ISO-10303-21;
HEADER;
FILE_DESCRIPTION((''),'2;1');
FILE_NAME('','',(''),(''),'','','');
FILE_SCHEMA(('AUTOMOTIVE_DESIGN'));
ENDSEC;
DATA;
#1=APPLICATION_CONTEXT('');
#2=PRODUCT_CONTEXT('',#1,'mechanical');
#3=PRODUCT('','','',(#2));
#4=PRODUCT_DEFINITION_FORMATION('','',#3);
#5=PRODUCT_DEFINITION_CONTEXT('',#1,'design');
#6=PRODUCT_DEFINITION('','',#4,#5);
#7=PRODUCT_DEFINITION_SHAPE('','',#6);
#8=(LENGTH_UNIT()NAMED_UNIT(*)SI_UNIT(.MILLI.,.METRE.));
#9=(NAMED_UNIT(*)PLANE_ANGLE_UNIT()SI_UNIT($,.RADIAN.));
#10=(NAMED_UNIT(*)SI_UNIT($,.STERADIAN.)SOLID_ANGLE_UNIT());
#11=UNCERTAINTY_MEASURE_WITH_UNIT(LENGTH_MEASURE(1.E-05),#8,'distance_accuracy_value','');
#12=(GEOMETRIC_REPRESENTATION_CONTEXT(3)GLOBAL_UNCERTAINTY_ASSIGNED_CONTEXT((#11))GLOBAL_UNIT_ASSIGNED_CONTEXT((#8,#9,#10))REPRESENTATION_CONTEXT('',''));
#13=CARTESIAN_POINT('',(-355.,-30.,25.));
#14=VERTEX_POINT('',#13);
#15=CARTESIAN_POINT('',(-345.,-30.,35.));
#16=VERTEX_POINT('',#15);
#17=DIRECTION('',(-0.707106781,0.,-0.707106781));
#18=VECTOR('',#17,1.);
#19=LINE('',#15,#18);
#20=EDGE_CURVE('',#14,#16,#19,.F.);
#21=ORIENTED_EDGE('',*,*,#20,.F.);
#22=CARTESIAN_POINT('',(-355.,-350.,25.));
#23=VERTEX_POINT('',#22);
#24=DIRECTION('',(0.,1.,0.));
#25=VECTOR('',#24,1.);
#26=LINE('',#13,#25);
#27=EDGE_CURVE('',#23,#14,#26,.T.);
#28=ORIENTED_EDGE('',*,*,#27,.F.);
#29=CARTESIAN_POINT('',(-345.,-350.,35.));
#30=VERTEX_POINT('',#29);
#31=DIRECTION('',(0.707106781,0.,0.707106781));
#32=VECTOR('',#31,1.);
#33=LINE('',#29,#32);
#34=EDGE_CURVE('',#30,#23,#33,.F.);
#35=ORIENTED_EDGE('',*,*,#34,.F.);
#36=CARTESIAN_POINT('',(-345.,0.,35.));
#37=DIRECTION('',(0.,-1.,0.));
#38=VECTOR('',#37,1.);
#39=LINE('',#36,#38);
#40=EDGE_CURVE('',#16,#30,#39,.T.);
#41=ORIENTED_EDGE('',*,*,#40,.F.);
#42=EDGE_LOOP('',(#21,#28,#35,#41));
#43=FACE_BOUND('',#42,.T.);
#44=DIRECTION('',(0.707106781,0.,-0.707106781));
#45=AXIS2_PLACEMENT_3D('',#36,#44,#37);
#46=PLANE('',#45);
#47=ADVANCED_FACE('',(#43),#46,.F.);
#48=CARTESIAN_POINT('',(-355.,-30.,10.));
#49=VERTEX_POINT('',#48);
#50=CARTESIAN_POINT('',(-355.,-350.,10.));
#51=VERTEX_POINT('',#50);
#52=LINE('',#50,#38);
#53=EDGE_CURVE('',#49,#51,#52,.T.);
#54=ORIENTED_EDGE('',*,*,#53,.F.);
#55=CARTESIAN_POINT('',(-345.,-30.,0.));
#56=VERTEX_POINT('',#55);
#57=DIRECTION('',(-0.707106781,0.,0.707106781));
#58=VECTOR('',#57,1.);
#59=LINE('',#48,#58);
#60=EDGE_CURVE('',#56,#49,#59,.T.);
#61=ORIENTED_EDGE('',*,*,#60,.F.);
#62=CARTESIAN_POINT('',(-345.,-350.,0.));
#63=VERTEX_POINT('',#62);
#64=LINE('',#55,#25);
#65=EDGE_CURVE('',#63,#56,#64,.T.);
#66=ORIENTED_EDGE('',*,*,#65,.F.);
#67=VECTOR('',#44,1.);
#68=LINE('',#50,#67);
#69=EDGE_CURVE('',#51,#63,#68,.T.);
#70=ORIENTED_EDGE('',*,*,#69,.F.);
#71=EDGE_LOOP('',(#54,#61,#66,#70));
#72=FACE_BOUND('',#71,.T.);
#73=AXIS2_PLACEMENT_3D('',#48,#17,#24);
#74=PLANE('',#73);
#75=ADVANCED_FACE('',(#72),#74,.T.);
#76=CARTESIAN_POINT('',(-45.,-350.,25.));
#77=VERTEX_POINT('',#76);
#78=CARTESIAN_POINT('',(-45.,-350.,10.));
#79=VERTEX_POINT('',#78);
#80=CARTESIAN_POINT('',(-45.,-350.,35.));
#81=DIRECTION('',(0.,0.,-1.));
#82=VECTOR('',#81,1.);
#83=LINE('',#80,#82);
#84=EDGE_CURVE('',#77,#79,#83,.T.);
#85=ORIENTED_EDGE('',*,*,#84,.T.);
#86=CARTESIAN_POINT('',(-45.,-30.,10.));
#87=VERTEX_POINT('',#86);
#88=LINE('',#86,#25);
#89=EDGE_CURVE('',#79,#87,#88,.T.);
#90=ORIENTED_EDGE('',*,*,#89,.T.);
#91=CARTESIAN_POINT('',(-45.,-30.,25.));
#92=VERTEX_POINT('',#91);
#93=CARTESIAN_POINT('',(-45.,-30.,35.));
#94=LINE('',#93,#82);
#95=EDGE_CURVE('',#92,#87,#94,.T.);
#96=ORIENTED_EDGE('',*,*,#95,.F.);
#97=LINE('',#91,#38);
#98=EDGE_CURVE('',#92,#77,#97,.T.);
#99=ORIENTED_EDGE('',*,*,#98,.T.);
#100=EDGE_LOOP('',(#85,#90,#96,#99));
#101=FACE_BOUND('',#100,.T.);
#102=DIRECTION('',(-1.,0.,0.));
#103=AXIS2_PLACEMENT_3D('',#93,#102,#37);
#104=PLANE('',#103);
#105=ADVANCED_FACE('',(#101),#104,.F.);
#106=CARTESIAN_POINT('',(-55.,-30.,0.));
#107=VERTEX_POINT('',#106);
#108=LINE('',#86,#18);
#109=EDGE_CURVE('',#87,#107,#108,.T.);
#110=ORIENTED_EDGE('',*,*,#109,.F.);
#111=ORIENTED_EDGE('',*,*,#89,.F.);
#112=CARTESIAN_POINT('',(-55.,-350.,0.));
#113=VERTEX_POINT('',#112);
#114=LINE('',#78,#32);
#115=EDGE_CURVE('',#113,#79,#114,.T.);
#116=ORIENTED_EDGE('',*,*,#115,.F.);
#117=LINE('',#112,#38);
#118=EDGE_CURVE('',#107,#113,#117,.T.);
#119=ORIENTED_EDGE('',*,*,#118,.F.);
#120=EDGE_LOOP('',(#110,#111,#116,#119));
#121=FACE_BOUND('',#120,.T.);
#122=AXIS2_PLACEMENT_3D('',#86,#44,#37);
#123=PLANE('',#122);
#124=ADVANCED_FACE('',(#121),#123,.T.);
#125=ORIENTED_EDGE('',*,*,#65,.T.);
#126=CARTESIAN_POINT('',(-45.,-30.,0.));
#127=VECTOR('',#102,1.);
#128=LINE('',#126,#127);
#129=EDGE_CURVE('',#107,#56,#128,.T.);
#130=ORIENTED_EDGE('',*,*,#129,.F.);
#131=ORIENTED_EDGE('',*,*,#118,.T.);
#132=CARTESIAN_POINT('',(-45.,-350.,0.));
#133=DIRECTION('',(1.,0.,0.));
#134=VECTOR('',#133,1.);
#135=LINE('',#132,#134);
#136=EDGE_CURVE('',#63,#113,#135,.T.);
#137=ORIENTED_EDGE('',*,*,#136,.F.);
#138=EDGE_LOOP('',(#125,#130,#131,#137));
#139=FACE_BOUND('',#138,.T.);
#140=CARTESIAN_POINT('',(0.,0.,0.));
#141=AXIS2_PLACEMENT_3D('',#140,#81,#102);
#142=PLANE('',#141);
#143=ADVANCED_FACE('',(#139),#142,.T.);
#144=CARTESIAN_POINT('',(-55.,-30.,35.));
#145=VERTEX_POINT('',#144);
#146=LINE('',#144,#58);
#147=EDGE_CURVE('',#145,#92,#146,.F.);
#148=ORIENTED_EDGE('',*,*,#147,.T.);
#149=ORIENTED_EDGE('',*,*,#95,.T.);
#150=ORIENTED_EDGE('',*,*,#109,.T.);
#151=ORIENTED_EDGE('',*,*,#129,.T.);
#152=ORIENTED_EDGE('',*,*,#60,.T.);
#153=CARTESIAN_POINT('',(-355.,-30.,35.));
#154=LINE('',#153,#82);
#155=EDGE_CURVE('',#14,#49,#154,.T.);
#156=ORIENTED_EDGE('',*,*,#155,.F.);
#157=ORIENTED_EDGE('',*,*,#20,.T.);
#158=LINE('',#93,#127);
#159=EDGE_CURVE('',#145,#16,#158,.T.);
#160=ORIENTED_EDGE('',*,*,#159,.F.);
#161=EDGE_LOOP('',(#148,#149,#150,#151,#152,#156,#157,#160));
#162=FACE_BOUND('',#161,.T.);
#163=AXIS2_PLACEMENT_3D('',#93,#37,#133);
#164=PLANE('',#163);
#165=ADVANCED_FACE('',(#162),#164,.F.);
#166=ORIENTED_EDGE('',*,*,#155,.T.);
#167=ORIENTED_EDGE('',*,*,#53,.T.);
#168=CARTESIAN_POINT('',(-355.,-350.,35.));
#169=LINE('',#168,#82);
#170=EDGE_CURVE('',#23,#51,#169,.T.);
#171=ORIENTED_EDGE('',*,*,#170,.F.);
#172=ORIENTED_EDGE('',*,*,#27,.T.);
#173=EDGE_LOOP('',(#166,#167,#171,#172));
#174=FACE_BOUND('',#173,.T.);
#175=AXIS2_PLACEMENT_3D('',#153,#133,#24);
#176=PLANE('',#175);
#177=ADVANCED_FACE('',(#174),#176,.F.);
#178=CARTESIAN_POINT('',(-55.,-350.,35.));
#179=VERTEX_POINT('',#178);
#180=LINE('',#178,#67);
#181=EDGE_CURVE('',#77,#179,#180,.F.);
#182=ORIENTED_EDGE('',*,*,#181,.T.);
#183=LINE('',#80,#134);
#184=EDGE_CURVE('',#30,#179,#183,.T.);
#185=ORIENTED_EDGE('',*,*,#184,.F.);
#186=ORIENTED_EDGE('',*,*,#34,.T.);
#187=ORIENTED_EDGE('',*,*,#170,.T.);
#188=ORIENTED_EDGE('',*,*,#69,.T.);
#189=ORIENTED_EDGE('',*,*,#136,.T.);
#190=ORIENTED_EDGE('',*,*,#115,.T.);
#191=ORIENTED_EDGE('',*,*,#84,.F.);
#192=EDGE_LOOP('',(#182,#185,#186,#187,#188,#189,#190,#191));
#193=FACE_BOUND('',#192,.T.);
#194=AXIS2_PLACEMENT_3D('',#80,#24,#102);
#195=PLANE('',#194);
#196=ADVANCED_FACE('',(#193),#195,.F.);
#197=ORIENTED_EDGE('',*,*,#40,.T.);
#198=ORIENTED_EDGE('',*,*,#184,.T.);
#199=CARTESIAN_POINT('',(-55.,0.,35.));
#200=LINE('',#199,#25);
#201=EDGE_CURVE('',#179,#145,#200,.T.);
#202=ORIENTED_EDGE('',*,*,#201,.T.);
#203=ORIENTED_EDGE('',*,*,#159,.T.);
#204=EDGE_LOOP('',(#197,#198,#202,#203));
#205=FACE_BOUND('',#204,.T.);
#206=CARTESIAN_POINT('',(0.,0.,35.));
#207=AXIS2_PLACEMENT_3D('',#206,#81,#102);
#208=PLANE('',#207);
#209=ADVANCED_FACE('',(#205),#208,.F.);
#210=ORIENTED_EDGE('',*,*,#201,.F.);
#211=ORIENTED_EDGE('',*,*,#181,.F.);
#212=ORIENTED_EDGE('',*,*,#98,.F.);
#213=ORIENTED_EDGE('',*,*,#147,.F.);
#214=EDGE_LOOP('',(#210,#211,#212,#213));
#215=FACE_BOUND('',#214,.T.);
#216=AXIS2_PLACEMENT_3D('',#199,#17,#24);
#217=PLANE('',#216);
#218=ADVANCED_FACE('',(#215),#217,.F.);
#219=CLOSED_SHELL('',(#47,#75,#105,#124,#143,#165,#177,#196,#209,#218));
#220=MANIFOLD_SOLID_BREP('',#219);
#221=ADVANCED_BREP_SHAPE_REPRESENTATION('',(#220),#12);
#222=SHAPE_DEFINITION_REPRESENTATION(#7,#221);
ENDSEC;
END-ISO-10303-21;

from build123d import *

# Parameters (mm, degrees)
ESBO_O1_W                = 310
ESBO_O1_H                = 320
RESSALTO_EXTRUS_O1_DEPTH = 35
CHANFRO1_SIZE            = 10


with BuildPart() as part:
    # Esboço1 → Ressalto-extrusão1 (new body)
    with BuildSketch(Plane.XY):
        with Locations((-200, -190)):
            Rectangle(ESBO_O1_W, ESBO_O1_H)
    extrude(amount=RESSALTO_EXTRUS_O1_DEPTH)

    # Chanfro1
    chanfro1_edges = [part.edges().sort_by_distance(p)[0] for p in [
        (-355, -190, 35),
        (-45, -190, 35),
        (-355, -190, 0),
        (-45, -190, 0),
    ]]
    chamfer(chanfro1_edges, length=CHANFRO1_SIZE)


solid = part.part
